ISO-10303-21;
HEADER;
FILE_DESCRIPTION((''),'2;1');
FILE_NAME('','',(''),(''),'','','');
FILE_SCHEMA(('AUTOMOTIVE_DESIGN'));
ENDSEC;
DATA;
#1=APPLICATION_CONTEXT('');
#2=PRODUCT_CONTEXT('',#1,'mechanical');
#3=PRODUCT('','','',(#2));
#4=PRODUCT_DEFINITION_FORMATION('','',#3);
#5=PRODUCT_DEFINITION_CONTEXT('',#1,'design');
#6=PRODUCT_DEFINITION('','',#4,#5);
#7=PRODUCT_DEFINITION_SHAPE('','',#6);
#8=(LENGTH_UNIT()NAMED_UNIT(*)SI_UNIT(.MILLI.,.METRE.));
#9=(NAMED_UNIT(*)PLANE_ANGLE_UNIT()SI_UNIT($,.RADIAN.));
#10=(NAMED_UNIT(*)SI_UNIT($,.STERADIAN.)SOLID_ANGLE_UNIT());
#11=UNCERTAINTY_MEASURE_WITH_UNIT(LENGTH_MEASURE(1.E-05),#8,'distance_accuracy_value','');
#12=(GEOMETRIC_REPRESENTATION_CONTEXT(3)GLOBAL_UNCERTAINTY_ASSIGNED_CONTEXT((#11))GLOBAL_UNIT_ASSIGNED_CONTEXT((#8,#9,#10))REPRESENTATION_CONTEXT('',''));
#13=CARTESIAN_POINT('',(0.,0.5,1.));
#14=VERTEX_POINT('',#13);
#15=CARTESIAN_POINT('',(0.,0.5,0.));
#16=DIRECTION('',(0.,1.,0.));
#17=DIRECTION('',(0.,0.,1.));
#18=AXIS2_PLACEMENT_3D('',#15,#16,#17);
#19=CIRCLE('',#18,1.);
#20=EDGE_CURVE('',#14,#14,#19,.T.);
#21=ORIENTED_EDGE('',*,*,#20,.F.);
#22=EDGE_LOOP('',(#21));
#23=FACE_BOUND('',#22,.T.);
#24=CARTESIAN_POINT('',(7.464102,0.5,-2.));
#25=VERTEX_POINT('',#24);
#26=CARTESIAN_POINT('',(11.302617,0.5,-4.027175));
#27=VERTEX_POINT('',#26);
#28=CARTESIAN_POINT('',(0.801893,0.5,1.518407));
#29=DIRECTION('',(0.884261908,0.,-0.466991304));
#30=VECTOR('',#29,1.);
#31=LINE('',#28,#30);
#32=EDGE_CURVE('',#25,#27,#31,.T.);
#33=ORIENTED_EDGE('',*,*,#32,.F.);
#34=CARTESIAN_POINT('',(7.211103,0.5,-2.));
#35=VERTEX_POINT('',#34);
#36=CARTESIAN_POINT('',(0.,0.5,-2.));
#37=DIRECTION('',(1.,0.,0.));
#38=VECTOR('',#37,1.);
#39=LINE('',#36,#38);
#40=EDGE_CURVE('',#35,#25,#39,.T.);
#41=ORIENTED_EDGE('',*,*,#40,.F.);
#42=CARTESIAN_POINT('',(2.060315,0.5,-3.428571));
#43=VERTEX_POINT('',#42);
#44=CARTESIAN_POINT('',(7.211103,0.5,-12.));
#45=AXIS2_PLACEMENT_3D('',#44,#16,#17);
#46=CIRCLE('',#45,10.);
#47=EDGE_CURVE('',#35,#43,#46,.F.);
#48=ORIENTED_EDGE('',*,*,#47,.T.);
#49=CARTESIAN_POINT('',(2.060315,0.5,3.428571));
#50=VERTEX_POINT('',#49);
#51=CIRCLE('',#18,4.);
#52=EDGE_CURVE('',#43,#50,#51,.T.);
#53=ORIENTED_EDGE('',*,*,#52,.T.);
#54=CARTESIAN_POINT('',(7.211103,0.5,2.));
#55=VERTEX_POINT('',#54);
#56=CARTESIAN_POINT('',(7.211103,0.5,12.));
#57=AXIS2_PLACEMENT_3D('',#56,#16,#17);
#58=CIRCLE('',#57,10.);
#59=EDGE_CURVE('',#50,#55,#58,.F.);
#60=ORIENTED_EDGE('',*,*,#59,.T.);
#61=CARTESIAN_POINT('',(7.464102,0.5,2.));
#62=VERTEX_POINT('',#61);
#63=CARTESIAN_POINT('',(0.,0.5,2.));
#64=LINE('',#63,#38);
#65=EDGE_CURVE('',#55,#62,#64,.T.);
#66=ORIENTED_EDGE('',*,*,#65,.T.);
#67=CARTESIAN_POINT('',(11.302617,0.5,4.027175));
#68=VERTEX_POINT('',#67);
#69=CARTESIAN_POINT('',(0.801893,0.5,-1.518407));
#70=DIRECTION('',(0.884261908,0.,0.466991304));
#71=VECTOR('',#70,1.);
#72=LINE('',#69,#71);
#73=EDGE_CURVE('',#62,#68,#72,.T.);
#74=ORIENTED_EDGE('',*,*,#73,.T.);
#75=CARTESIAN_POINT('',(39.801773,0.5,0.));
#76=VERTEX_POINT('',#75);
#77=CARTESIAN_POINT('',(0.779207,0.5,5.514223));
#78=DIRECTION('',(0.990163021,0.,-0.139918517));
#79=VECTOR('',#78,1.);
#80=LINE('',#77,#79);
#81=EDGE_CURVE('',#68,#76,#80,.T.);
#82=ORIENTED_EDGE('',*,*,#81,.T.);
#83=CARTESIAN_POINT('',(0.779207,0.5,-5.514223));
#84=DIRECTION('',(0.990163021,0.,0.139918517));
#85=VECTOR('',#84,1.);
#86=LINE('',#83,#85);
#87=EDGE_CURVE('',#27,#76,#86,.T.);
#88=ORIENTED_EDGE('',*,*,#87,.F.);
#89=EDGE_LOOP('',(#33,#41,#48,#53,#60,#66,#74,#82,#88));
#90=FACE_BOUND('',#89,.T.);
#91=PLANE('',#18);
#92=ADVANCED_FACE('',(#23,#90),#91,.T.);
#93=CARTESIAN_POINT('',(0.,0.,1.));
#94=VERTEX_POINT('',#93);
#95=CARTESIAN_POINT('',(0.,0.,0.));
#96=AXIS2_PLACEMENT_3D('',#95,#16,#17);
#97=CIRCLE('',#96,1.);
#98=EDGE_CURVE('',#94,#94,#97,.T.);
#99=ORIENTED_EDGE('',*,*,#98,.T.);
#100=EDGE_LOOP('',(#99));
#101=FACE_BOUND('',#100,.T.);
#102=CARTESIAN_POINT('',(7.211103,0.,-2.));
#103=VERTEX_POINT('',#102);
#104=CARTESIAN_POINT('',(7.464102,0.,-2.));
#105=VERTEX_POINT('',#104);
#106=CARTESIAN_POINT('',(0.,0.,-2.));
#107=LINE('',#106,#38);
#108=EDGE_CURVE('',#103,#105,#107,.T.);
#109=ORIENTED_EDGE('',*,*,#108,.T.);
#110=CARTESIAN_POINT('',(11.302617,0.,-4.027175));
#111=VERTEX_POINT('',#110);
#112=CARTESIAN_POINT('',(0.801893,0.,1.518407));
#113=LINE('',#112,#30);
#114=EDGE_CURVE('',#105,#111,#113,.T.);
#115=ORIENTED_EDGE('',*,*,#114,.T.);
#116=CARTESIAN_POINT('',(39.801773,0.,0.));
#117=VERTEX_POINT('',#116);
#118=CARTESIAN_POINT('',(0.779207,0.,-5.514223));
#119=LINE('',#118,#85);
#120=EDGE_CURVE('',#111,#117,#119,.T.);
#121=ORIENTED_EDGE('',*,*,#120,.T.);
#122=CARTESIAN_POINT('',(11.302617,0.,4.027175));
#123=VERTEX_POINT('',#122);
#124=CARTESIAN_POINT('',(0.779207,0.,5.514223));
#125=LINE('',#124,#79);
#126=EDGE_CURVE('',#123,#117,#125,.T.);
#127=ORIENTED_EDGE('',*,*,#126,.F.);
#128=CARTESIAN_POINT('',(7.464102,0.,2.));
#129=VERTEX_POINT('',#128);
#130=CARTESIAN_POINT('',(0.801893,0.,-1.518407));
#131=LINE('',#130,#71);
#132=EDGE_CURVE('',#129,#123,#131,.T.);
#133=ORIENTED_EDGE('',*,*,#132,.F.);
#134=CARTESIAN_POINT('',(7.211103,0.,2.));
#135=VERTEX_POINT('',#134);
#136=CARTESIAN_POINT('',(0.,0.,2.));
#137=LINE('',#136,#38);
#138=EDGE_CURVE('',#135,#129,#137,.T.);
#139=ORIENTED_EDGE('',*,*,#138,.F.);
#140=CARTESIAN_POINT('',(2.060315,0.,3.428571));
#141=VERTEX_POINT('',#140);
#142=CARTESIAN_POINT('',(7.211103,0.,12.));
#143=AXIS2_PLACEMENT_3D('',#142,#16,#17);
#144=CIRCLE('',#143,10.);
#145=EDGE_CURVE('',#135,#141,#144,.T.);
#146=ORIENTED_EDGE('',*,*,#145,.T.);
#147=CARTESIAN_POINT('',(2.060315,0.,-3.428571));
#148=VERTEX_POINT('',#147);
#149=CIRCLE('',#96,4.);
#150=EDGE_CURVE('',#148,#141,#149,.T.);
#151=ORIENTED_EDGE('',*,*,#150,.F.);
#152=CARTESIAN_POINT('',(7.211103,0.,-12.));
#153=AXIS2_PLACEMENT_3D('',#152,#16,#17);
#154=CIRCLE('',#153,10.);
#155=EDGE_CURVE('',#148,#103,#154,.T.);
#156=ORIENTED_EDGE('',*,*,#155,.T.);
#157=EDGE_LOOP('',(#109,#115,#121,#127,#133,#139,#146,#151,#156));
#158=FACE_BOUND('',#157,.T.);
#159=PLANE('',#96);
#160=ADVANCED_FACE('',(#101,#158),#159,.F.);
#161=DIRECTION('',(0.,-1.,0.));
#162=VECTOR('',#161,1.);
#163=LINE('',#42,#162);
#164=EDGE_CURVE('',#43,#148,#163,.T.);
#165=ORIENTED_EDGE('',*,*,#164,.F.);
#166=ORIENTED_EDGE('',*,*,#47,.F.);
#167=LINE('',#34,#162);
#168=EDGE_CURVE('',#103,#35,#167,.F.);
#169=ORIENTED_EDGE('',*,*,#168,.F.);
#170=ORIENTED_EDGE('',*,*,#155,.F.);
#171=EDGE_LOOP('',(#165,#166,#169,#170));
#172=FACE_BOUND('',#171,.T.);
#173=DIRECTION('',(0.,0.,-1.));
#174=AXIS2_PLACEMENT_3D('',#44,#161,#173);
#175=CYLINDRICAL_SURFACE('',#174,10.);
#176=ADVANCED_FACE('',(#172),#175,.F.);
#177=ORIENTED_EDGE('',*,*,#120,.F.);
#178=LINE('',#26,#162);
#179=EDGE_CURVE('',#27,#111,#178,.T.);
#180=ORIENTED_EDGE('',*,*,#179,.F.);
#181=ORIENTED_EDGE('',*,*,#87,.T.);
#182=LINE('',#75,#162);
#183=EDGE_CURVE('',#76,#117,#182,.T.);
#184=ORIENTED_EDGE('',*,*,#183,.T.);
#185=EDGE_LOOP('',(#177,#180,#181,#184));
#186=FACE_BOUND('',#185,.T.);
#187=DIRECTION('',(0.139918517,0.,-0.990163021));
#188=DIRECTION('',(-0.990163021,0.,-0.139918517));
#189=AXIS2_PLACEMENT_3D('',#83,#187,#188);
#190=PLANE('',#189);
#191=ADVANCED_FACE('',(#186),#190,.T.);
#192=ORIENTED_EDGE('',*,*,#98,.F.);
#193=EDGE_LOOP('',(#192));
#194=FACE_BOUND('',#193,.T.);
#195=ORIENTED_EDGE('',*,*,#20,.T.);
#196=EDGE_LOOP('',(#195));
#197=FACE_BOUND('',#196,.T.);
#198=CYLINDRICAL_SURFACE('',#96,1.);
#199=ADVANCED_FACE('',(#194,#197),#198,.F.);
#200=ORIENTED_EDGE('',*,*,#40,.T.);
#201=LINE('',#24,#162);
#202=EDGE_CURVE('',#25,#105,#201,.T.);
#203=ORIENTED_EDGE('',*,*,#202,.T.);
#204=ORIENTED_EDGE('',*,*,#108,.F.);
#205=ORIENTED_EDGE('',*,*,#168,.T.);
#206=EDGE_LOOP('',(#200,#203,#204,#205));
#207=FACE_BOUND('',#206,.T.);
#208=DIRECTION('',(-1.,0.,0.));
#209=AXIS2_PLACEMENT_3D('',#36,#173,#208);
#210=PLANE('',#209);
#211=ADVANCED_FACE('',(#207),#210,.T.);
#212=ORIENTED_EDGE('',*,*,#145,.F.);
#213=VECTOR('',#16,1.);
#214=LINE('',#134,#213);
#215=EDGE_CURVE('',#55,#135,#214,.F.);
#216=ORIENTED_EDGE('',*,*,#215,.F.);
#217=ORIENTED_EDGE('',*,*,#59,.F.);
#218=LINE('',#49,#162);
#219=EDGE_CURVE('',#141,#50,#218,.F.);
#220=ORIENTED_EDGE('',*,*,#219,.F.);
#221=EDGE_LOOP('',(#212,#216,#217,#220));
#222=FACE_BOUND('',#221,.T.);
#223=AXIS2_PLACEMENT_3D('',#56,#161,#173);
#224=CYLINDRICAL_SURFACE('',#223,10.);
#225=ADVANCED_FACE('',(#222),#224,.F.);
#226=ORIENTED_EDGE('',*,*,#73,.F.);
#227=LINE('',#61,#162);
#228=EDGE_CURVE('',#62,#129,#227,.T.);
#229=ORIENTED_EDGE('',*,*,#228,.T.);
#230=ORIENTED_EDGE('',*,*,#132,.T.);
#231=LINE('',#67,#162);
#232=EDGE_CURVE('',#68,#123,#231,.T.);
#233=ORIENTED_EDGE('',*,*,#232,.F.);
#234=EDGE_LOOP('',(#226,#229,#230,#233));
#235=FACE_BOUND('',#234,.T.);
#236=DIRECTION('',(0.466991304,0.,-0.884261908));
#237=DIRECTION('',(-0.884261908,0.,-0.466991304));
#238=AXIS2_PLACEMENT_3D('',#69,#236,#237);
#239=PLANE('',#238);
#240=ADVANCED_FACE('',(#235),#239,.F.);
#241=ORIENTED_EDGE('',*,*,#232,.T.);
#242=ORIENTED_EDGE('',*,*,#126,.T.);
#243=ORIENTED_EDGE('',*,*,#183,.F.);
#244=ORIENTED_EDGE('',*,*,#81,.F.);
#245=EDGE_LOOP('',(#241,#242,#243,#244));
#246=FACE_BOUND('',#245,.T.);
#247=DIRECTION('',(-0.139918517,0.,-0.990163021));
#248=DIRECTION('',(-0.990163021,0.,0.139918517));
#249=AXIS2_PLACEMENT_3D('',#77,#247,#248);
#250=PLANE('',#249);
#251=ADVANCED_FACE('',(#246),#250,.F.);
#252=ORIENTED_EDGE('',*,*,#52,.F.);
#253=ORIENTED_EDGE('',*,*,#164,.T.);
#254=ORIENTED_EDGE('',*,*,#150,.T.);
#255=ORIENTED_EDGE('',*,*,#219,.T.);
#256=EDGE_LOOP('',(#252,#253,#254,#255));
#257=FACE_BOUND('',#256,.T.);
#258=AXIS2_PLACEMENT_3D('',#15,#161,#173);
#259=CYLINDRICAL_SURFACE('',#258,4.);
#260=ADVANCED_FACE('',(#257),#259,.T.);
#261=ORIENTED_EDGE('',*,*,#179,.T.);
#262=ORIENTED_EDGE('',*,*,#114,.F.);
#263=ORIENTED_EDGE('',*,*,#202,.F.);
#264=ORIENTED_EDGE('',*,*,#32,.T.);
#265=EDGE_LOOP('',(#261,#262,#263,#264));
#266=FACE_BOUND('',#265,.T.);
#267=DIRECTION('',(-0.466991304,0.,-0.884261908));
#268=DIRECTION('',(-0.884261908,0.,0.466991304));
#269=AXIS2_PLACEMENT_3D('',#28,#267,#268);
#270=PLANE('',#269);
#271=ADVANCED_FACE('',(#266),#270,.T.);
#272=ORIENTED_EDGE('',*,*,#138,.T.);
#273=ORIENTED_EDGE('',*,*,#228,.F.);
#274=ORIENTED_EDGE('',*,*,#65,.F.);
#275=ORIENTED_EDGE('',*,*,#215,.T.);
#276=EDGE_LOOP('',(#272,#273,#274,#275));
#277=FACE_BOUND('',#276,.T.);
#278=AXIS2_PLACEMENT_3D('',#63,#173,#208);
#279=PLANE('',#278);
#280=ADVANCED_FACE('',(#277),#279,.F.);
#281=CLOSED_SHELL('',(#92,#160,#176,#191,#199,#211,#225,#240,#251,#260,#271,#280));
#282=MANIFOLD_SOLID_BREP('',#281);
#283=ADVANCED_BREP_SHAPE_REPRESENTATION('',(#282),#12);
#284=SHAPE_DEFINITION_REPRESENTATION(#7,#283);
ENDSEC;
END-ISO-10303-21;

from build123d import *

# Parameters (mm, degrees)
BOSS_EXTRUDE2_DEPTH = 0.5
SKETCH3_R           = 1
CUT_EXTRUDE2_DEPTH  = 1.5
FILLET1_R           = 10


with BuildPart() as part:
    # Sketch1 → Boss-Extrude2 (new body)
    with BuildSketch(Plane(origin=(0, 0, 0), x_dir=(1, 0, 0), z_dir=(0, 1, 0))):
        with BuildLine():
            Line((39.801772908, 0), (11.302617333, 4.027174803))
            Line((11.302617333, 4.027174803), (7.464101615, 2))
            Line((7.464101615, 2), (3.464101615, 2))
            ThreePointArc((3.464101615, 2), (-4, 0), (3.464101615, -2))
            Line((3.464101615, -2), (7.464101615, -2))
            Line((7.464101615, -2), (11.302617333, -4.027174803))
            Line((11.302617333, -4.027174803), (39.801772908, 0))
        make_face()
    extrude(amount=BOSS_EXTRUDE2_DEPTH)

    # Sketch3 → Cut-Extrude2 (cut, through all)
    with BuildSketch(Plane(origin=(0, 0.5, 0), x_dir=(1, 0, 0), z_dir=(0, 1, 0))):
        Circle(SKETCH3_R)
    extrude(amount=-CUT_EXTRUDE2_DEPTH, mode=Mode.SUBTRACT)

    # Fillet1
    fillet1_edges = [part.edges().sort_by_distance(p)[0] for p in [
        (3.464101615, 0.25, 2),
        (3.464101615, 0.25, -2),
    ]]
    fillet(fillet1_edges, radius=FILLET1_R)


solid = part.part
